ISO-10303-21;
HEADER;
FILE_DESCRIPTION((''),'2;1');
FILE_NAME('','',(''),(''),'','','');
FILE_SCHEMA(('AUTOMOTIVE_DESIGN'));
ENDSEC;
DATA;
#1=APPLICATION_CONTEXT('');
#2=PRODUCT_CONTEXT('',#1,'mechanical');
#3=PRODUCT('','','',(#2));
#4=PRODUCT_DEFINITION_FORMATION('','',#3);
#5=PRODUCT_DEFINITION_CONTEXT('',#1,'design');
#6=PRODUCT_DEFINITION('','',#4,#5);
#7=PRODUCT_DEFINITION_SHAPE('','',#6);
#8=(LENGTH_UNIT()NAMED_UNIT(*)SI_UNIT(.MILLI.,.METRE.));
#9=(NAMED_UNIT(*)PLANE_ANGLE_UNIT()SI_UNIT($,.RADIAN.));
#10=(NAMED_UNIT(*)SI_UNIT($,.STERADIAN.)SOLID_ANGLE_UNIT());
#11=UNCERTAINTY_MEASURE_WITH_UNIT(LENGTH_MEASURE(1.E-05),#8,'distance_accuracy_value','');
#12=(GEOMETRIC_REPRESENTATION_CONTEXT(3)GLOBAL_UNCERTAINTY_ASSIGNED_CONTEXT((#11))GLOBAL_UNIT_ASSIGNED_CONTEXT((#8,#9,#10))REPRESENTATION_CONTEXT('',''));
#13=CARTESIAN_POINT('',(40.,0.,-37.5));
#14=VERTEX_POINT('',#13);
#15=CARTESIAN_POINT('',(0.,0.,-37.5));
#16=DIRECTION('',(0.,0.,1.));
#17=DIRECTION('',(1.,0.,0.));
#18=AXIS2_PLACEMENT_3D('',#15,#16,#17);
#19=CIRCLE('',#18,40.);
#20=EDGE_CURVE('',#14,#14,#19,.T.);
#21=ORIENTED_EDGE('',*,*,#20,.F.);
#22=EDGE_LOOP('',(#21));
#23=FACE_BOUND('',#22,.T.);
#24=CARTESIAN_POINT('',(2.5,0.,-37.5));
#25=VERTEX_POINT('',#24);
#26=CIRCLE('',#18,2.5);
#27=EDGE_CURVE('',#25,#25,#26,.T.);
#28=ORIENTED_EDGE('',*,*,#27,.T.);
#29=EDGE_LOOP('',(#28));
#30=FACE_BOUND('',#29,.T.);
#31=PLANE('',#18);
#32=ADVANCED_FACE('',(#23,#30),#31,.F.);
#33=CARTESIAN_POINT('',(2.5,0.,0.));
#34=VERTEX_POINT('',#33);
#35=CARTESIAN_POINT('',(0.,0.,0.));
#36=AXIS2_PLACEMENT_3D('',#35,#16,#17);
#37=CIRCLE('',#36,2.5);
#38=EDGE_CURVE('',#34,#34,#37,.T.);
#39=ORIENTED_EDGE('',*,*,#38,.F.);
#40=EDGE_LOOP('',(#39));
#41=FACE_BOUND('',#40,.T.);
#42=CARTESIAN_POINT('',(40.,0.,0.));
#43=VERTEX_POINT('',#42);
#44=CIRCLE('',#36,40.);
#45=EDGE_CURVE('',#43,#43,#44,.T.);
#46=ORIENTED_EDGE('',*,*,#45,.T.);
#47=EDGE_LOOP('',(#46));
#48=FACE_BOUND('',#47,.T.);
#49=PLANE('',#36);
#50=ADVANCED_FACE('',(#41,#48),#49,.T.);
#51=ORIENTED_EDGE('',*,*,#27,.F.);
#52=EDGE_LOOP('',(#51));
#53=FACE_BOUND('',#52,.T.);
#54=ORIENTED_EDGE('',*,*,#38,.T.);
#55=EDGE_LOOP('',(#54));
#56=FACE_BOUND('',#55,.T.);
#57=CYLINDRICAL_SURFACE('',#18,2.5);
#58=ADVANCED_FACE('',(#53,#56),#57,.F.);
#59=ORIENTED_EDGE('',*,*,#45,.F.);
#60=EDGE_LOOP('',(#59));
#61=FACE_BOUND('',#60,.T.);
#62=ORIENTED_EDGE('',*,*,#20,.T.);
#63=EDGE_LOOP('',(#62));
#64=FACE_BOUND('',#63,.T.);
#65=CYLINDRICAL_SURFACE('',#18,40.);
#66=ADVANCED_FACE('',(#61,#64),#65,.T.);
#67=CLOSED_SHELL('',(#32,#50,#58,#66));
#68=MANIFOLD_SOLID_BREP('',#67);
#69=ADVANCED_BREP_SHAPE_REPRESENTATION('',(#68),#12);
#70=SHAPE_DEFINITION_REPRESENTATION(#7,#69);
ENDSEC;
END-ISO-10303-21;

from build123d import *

# Parameters (mm, degrees)
SKETCH1_R           = 40
BOSS_EXTRUDE1_DEPTH = 37.5
SKETCH2_R           = 2.5
CUT_EXTRUDE1_DEPTH  = 68.869359802


with BuildPart() as part:
    # Sketch1 → Boss-Extrude1 (new body)
    with BuildSketch(Plane.XY):
        Circle(SKETCH1_R)
    extrude(amount=-BOSS_EXTRUDE1_DEPTH)

    # Sketch2 → Cut-Extrude1 (cut, through all)
    with BuildSketch(Plane.XY):
        Circle(SKETCH2_R)
    extrude(amount=-CUT_EXTRUDE1_DEPTH, mode=Mode.SUBTRACT)


solid = part.part
